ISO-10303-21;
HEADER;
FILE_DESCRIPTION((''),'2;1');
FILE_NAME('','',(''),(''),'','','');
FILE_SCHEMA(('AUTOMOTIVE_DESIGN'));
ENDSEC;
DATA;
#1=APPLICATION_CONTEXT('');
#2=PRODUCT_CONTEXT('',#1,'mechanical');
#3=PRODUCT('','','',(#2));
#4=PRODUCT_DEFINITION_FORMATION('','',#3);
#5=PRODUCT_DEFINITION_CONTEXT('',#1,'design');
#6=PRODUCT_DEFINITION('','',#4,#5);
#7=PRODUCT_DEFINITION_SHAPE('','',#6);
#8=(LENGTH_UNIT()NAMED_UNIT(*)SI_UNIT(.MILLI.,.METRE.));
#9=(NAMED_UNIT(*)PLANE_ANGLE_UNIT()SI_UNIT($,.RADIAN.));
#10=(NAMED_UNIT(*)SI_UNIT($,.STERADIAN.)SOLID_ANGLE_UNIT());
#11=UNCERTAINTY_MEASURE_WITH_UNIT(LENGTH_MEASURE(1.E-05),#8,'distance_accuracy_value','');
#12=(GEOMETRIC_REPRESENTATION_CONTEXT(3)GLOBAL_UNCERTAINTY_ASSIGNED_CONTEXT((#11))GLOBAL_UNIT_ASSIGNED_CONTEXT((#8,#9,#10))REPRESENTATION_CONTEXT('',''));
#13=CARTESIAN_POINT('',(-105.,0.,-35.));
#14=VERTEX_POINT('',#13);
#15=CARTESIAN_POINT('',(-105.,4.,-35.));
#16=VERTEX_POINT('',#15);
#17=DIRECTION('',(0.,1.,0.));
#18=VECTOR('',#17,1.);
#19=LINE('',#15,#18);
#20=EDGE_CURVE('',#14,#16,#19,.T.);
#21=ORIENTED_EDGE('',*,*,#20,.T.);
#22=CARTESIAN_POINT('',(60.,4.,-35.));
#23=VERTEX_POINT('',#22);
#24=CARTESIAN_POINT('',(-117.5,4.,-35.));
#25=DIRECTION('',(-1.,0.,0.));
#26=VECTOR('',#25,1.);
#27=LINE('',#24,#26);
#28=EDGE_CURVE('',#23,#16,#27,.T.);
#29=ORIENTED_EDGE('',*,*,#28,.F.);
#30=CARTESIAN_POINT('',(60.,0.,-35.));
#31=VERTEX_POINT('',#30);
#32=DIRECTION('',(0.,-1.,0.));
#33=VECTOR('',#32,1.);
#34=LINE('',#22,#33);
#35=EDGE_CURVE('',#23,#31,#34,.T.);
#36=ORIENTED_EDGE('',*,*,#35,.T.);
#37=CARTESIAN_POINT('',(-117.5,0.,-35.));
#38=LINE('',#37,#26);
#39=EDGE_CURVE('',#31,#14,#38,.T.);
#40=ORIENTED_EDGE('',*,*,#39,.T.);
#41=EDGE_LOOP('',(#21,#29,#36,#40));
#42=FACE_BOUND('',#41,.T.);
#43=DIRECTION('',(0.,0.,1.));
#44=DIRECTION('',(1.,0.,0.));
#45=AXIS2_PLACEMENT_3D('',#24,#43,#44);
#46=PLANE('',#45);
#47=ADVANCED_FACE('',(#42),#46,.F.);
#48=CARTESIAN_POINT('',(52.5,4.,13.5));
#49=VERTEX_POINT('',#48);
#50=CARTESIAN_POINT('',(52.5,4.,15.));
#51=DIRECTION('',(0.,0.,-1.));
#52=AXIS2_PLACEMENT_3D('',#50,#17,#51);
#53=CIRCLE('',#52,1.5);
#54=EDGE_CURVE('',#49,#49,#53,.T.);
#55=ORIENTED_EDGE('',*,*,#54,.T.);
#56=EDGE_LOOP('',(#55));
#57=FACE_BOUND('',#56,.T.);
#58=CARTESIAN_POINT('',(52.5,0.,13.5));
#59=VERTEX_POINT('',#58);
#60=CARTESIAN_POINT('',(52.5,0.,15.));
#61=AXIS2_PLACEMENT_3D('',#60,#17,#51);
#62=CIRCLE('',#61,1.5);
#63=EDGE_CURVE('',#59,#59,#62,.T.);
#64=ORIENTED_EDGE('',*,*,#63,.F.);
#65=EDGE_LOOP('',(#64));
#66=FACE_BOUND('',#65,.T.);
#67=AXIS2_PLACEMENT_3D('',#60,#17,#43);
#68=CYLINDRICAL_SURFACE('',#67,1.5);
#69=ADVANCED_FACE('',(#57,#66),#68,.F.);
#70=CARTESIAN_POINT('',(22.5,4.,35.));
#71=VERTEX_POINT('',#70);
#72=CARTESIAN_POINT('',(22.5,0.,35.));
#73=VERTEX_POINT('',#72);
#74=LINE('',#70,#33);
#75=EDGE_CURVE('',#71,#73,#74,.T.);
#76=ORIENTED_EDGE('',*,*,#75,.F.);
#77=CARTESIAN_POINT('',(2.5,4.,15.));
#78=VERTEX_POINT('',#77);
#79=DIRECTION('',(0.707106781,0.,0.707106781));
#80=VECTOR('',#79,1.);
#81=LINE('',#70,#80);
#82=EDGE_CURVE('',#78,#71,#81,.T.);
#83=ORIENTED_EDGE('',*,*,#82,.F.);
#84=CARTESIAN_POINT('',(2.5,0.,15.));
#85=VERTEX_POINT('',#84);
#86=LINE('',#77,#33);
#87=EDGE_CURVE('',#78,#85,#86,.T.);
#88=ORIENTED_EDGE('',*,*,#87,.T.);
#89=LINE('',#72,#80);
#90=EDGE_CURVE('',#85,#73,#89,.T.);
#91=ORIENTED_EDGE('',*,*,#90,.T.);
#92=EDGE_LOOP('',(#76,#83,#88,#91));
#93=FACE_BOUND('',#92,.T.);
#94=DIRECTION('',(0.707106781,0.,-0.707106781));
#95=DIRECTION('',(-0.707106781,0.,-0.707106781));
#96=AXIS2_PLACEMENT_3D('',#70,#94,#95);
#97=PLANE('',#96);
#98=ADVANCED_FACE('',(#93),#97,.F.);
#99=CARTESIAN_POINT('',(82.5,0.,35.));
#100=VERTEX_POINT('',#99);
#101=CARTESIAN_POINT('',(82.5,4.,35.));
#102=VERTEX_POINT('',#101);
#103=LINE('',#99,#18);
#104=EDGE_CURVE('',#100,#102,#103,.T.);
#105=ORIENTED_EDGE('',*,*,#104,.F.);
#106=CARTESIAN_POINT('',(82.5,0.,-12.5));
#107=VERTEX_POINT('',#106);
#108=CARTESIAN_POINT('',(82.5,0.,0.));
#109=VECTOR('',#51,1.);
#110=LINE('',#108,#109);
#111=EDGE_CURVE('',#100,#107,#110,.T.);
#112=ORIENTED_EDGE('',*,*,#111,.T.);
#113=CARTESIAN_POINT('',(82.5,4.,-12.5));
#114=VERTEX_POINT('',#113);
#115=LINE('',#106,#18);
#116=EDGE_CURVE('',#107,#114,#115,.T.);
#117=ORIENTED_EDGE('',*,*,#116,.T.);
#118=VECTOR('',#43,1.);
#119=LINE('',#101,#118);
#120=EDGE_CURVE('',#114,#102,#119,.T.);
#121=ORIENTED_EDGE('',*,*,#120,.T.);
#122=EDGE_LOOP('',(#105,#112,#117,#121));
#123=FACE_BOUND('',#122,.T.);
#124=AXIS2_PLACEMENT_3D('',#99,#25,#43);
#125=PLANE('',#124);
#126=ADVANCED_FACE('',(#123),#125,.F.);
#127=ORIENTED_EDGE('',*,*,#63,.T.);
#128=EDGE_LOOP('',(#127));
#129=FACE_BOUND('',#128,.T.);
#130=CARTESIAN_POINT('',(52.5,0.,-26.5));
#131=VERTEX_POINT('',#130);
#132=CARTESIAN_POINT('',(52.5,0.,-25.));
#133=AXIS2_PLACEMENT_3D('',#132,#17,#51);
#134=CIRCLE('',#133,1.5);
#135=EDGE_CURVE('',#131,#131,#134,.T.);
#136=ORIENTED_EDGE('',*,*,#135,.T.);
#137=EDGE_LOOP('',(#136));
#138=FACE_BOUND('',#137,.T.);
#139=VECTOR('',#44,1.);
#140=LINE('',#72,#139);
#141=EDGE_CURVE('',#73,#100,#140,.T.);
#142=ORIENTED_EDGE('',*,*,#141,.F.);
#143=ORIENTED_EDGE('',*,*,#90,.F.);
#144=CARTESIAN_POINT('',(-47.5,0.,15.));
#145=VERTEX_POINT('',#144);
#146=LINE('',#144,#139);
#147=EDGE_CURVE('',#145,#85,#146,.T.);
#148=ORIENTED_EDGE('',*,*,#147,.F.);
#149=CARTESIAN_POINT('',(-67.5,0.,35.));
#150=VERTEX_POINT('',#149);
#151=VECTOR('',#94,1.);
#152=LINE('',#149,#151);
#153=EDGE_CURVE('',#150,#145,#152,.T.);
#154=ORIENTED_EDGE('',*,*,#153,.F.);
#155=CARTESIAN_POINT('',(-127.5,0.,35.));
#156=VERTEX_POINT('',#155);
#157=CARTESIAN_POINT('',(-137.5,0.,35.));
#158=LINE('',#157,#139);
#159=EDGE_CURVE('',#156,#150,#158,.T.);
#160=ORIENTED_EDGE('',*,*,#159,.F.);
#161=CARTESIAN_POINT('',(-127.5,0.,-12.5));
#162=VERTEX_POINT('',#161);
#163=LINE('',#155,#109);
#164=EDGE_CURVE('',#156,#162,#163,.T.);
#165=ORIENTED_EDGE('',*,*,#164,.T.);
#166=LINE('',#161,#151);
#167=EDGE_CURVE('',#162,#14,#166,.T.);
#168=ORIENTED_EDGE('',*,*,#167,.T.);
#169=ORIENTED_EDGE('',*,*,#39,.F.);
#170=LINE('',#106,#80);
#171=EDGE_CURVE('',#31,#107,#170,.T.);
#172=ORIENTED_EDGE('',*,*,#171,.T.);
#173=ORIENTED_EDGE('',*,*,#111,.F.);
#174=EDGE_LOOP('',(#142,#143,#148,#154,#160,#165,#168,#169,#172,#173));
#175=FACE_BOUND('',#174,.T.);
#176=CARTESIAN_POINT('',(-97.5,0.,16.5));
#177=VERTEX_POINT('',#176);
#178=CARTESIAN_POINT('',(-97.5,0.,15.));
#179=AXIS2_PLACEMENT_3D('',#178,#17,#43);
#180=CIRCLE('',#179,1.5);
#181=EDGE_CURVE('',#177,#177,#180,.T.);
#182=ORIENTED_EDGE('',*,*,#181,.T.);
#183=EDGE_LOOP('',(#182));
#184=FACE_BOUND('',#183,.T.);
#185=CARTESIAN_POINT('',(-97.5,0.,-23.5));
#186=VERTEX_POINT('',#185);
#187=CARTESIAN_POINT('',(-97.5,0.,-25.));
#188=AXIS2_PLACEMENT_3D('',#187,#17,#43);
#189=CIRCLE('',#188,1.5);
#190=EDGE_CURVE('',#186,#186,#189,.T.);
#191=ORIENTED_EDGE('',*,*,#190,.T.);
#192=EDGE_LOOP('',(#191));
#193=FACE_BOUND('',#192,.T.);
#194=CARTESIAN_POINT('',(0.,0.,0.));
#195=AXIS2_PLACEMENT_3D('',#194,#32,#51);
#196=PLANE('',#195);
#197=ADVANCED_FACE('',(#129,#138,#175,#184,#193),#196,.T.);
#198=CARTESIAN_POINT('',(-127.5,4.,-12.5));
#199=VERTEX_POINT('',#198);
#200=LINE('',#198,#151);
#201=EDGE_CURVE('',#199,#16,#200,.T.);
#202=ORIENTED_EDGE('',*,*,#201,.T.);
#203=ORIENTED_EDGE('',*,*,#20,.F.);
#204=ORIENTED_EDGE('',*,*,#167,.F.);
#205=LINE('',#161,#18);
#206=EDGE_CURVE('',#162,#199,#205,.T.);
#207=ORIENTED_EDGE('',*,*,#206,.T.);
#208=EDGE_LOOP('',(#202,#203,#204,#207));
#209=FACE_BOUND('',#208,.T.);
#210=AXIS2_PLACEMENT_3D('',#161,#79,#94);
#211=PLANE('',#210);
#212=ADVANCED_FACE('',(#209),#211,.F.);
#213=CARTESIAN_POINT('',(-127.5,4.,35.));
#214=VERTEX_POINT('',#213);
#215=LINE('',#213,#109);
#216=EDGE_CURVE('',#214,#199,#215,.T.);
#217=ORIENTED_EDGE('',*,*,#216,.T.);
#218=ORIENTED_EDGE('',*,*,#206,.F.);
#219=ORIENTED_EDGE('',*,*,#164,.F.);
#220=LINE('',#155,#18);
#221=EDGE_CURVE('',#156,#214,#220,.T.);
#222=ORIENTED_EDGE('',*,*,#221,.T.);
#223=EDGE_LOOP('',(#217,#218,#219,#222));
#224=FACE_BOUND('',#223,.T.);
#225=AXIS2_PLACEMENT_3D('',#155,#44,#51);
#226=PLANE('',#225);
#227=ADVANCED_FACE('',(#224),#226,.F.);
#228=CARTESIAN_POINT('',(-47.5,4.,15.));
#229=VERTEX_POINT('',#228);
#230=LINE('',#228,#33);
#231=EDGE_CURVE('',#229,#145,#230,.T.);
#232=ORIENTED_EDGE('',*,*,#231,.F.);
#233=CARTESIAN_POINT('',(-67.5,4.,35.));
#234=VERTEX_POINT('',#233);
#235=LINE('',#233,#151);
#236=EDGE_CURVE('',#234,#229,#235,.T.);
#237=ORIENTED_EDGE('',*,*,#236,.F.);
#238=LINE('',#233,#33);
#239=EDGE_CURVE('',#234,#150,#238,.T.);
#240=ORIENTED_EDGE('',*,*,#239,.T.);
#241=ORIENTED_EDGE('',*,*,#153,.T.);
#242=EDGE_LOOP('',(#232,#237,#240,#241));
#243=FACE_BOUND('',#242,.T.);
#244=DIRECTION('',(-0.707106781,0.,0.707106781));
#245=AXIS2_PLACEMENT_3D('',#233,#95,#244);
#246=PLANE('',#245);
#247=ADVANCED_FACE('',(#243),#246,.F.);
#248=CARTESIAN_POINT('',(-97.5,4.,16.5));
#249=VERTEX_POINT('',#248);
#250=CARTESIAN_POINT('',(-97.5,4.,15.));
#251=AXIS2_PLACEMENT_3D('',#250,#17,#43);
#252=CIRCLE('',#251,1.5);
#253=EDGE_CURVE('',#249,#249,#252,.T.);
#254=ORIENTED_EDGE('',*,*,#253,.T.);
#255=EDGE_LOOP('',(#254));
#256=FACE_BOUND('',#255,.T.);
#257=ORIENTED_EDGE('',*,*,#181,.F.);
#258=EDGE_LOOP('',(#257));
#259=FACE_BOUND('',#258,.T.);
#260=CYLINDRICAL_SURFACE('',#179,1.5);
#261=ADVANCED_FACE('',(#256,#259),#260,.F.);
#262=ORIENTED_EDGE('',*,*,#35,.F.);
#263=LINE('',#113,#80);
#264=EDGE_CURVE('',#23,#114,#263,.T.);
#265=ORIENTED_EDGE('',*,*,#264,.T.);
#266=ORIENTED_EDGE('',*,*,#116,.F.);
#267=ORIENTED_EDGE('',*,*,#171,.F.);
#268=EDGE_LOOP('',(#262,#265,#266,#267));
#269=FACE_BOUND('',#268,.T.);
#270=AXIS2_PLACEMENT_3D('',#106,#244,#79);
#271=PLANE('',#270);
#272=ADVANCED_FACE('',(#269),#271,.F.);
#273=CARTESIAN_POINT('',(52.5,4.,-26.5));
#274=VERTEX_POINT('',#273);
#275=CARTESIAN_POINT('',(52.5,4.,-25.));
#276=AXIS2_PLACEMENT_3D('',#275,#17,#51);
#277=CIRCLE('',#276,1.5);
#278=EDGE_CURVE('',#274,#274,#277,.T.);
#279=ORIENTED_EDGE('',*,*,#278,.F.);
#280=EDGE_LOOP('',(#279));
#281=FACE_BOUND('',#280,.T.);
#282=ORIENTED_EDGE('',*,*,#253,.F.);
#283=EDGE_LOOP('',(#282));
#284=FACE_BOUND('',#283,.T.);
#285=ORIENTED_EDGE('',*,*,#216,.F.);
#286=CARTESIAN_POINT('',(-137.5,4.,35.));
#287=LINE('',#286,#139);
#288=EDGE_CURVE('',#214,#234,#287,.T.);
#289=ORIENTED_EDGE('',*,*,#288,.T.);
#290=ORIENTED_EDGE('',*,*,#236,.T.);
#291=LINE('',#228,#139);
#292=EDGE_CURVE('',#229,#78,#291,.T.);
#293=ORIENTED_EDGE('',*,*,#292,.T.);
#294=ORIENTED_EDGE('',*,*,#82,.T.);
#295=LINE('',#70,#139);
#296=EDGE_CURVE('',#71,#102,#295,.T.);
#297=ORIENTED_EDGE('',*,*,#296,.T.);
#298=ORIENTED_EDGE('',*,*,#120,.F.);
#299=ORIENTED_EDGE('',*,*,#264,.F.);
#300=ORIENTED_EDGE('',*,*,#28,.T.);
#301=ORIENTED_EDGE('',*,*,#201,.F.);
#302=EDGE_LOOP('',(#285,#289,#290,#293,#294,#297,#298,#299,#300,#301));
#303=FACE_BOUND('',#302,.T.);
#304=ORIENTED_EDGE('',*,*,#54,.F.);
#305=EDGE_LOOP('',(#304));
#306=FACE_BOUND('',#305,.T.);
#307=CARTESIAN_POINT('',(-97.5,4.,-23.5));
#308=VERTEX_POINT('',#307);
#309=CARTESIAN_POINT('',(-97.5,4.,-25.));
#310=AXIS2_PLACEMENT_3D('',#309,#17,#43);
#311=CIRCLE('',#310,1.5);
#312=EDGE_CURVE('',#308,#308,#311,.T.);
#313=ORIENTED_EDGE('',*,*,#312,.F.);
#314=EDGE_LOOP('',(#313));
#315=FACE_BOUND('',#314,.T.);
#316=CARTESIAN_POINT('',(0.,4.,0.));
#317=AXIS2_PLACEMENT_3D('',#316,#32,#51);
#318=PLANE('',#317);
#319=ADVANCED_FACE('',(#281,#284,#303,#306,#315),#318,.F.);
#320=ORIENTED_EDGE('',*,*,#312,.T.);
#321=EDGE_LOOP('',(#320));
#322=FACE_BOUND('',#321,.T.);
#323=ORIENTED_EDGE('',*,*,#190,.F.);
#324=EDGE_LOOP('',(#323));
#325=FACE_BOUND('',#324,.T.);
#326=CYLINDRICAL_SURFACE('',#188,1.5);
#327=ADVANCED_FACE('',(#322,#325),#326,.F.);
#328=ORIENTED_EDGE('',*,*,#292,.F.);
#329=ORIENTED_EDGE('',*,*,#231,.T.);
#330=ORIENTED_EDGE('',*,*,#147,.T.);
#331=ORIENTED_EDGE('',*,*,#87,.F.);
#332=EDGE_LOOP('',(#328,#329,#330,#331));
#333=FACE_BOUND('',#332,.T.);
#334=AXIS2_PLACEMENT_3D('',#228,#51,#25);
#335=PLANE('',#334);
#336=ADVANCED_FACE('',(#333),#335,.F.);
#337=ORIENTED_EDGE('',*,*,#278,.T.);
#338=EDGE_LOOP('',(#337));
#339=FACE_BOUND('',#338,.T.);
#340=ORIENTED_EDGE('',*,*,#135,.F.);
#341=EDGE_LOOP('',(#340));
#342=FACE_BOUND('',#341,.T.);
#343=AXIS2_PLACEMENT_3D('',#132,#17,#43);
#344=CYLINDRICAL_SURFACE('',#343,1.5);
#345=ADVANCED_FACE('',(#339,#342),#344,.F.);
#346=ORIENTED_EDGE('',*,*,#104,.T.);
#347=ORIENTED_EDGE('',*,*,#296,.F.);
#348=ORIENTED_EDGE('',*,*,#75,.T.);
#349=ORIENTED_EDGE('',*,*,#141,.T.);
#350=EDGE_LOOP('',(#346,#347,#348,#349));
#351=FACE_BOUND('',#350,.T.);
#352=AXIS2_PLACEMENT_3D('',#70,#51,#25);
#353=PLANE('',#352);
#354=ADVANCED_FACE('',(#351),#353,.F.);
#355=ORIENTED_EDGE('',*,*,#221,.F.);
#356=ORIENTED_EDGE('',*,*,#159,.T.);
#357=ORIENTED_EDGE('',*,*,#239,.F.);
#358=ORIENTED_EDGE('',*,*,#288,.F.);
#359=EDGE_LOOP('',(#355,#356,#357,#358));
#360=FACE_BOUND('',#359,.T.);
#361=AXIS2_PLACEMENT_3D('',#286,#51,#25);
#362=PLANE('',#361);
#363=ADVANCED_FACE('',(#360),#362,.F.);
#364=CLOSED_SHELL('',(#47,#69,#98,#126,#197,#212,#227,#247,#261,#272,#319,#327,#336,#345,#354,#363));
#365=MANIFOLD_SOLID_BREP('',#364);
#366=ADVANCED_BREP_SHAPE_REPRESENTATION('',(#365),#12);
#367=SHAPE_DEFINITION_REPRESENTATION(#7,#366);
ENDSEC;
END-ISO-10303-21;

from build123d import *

# Parameters (mm, degrees)
EXTRUDE_1_DEPTH     = 4
SKETCH_2_R          = 1.5
CUT_EXTRUDE_1_DEPTH = 4
SKETCH_3_W          = 10
SKETCH_3_H          = 69.678883607
SKETCH_3_H_2        = 93.047687854
CUT_EXTRUDE_2_DEPTH = 4
CUT_EXTRUDE_3_DEPTH = 4


with BuildPart() as part:
    # 草图1 → 凸台-拉伸1 (new body)
    with BuildSketch(Plane(origin=(0, 0, 0), x_dir=(1, 0, 0), z_dir=(0, 1, 0))):
        Polygon((-67.5, -35), (-47.5, -15), (2.5, -15), (22.5, -35), (92.5, -35), (92.5, 15), (72.5, 35), (-117.5, 35), (-137.5, 15), (-137.5, -35), align=None)
    extrude(amount=EXTRUDE_1_DEPTH)

    # 草图2 → 切除-拉伸1 (cut)
    with BuildSketch(Plane(origin=(0, 4, 0), x_dir=(1, 0, 0), z_dir=(0, 1, 0))):
        with Locations(Location((-97.5, -15, 0), (0, 0, 270))):
            Circle(SKETCH_2_R)
        with Locations(Location((-97.5, 25, 0), (0, 0, 270))):
            Circle(SKETCH_2_R)
        with Locations(Location((52.5, 25, 0), (0, 0, 90))):
            Circle(SKETCH_2_R)
        with Locations(Location((52.5, -15, 0), (0, 0, 90))):
            Circle(SKETCH_2_R)
    extrude(amount=-CUT_EXTRUDE_1_DEPTH, mode=Mode.SUBTRACT)

    # 草图3 → 切除-拉伸2 (cut)
    with BuildSketch(Plane(origin=(0, 4, 0), x_dir=(1, 0, 0), z_dir=(0, 1, 0))):
        with Locations((-132.5, -0.160558196)):
            Rectangle(SKETCH_3_W, SKETCH_3_H)
        with Locations((87.5, 11.523843927)):
            Rectangle(SKETCH_3_W, SKETCH_3_H_2)
    extrude(amount=-CUT_EXTRUDE_2_DEPTH, mode=Mode.SUBTRACT)

    # 草图4 → 切除-拉伸3 (cut)
    with BuildSketch(Plane(origin=(0, 4, 0), x_dir=(1, 0, 0), z_dir=(0, 1, 0))):
        Polygon((-127.5, 12.5), (-92.197077218, 47.802922782), (-150.178982695, 47.802922782), align=None)
        Polygon((82.5, 12.5), (37.005283765, 57.994716235), (96.544114713, 56.205234398), align=None)
    extrude(amount=-CUT_EXTRUDE_3_DEPTH, mode=Mode.SUBTRACT)


solid = part.part
